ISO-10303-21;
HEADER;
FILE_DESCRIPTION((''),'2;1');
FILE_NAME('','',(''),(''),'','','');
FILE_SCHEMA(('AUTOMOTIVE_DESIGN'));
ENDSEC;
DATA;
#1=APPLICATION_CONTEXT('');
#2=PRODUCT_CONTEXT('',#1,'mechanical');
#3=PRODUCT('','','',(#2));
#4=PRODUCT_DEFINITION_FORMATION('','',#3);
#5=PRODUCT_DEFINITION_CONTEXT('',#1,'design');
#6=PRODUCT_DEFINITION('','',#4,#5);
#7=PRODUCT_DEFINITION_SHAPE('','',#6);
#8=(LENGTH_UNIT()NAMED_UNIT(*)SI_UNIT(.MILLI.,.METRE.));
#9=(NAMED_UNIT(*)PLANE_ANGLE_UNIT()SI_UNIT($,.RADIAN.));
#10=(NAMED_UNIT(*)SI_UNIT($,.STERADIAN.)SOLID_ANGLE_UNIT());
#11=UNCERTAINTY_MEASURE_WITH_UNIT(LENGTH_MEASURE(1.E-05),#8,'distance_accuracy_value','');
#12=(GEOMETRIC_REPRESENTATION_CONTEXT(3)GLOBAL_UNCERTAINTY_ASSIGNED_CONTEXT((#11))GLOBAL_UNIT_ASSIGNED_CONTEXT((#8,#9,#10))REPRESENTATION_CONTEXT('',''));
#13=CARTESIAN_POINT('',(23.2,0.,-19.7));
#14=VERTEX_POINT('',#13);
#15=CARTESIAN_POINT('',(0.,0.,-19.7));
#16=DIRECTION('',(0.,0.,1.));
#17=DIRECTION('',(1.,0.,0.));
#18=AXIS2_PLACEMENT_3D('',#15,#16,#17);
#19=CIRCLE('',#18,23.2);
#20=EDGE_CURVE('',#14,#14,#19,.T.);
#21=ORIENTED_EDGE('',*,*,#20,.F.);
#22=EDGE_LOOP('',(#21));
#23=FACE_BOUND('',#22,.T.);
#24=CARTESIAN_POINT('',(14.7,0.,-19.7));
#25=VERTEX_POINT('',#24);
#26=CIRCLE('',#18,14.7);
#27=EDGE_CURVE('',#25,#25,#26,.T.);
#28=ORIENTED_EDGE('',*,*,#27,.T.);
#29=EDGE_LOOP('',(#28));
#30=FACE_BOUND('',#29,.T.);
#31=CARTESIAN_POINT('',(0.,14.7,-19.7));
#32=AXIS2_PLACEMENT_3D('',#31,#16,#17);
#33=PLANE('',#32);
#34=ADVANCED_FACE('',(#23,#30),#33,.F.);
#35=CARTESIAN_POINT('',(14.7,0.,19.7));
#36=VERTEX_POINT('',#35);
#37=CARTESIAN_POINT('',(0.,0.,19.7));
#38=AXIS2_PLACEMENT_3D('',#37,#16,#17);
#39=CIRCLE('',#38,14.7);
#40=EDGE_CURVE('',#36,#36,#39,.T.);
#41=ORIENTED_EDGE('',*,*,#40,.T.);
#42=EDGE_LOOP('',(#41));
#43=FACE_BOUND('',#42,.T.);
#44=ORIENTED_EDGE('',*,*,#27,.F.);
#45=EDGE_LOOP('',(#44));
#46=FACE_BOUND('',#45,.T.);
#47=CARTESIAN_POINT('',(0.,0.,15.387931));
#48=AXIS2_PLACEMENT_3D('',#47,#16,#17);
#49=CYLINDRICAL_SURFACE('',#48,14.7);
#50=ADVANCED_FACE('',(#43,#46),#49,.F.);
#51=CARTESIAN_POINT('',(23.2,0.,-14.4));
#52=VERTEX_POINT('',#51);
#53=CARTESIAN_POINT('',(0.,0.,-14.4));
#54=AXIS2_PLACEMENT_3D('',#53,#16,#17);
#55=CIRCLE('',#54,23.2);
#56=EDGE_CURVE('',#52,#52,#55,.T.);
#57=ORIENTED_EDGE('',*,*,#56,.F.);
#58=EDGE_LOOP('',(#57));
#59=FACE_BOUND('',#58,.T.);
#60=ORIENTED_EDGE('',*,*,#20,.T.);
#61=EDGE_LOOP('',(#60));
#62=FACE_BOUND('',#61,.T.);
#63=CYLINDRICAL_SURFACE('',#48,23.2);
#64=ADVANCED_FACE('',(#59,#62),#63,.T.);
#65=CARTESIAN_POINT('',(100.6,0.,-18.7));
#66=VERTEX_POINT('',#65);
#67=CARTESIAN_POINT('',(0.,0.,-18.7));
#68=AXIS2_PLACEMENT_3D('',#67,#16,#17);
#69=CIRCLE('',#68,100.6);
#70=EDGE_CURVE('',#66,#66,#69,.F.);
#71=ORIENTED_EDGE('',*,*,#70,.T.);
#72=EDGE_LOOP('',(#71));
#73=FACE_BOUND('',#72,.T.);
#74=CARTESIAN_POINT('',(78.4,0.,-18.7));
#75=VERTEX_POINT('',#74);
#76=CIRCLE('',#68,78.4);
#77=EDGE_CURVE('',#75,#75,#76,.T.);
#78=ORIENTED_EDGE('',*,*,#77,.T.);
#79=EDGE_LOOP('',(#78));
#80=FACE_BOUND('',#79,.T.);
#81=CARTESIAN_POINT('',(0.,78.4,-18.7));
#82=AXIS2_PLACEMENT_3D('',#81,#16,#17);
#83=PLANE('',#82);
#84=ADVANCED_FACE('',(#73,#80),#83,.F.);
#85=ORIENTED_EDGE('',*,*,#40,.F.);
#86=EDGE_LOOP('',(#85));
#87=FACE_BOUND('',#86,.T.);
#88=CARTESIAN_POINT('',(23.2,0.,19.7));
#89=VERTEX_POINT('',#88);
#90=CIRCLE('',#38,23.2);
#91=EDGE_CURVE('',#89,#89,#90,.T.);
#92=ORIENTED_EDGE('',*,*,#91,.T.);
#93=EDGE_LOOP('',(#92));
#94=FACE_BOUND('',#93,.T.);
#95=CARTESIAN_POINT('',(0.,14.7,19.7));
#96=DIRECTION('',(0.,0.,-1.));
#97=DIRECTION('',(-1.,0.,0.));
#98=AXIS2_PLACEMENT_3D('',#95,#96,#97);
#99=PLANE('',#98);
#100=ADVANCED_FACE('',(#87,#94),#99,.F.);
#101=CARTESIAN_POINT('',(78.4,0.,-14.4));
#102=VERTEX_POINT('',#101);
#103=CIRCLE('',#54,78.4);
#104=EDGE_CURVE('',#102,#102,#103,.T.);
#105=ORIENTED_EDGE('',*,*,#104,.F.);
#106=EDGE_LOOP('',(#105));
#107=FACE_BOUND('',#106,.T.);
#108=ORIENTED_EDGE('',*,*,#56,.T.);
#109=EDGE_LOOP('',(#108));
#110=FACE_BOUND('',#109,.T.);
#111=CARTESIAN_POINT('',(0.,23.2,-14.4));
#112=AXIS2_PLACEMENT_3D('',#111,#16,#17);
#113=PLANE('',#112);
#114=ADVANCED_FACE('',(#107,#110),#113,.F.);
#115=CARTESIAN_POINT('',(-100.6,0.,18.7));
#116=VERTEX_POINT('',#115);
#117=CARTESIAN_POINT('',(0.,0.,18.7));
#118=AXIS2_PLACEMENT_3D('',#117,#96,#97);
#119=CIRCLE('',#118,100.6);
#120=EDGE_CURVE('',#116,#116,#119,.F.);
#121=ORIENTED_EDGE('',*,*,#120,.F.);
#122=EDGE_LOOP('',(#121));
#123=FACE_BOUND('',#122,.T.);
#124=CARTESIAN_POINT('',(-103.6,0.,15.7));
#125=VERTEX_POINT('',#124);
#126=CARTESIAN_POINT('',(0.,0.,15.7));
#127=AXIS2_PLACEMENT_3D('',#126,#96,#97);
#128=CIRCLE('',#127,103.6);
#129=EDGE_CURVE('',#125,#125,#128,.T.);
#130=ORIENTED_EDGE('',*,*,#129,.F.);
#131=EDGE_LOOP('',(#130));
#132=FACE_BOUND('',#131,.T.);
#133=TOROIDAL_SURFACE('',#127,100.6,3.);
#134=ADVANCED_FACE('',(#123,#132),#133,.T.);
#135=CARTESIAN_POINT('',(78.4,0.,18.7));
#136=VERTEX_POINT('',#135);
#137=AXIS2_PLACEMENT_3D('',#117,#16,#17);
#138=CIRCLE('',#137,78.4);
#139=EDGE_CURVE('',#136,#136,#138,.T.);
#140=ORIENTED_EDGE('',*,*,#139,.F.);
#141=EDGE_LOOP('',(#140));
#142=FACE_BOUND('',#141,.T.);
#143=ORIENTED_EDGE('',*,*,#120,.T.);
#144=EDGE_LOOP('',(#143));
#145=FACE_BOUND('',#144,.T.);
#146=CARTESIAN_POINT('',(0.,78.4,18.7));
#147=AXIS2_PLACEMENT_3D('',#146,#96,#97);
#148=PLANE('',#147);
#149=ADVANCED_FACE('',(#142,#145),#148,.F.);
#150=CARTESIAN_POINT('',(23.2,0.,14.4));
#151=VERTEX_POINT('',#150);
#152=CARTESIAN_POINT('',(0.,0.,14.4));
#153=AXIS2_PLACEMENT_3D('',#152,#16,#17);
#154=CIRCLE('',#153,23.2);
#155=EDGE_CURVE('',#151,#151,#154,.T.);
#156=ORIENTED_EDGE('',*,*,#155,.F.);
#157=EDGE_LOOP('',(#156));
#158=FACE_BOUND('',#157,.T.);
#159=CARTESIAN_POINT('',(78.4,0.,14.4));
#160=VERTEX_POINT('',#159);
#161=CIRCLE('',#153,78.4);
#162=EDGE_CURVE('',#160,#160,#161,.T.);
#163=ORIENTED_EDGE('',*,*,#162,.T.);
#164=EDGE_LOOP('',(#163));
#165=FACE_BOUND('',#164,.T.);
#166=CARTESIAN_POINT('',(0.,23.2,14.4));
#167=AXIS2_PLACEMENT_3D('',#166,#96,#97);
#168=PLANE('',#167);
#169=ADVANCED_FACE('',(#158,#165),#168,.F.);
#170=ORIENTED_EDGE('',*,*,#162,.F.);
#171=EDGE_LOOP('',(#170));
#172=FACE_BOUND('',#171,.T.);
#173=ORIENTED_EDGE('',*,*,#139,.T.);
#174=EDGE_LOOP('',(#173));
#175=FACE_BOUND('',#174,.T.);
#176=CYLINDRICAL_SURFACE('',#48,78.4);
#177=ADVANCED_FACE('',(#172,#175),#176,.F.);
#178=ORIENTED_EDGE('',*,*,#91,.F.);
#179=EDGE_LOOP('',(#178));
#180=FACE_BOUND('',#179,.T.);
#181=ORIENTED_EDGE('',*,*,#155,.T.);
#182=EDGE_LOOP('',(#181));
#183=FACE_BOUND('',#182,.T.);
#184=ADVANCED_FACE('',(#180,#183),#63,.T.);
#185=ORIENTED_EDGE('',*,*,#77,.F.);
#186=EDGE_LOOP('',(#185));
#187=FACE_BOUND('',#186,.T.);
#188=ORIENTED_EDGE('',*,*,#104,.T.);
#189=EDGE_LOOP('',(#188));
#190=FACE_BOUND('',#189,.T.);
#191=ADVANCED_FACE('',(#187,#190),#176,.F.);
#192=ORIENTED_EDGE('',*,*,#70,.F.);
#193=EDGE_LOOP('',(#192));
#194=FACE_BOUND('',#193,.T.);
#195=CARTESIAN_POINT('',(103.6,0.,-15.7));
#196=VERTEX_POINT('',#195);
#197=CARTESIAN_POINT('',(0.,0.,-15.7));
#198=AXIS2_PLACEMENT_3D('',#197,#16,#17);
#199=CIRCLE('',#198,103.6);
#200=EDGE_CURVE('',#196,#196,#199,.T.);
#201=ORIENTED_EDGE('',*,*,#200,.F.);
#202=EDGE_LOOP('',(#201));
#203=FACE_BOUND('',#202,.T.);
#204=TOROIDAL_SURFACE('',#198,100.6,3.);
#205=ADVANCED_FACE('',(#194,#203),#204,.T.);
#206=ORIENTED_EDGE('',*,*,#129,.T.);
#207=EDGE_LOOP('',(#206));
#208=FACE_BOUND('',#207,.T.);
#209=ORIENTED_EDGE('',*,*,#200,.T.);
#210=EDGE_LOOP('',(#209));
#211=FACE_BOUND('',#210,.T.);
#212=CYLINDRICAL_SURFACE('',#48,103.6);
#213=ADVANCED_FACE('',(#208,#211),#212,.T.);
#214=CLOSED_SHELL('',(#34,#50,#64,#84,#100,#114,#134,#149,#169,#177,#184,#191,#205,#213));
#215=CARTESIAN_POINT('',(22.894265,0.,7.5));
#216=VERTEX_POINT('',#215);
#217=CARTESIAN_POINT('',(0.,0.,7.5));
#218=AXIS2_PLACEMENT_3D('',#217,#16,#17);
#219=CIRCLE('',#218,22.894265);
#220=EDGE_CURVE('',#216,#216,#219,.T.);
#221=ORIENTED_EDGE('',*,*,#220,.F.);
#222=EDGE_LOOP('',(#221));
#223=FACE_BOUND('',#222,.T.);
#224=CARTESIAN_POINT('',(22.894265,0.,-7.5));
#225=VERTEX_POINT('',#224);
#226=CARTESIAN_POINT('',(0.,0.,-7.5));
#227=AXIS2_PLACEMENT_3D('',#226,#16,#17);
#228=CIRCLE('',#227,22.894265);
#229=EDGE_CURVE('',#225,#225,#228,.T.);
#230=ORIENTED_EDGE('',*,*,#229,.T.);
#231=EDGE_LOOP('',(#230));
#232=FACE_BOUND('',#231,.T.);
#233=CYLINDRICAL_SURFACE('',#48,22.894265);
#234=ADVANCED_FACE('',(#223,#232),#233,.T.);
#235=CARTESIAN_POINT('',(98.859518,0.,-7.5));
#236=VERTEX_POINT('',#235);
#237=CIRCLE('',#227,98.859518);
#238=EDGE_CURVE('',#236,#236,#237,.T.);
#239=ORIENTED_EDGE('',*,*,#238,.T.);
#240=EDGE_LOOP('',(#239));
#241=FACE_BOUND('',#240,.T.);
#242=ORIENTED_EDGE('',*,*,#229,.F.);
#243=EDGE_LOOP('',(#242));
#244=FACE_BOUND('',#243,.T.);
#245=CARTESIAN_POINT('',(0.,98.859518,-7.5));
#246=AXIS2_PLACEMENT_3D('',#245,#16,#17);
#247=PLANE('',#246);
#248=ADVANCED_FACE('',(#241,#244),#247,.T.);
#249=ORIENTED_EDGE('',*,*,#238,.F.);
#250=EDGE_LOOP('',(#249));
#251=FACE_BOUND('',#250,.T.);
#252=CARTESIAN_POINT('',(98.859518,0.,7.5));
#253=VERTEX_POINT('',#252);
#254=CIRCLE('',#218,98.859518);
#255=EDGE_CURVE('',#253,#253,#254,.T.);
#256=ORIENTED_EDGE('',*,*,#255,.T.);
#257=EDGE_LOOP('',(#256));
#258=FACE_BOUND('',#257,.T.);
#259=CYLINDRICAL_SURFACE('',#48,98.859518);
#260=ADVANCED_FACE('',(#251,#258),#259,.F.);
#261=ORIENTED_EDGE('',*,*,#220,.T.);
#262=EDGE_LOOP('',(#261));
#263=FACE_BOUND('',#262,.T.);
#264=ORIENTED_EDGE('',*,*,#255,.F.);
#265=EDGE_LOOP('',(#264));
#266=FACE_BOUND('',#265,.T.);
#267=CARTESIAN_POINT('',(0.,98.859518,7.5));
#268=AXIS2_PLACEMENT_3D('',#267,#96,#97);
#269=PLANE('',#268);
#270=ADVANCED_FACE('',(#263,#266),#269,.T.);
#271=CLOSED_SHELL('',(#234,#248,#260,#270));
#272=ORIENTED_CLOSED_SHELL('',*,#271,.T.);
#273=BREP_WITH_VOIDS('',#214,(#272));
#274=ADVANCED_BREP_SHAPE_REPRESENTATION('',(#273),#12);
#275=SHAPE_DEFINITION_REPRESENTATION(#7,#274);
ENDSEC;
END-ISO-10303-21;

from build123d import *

# Parameters (mm, degrees)
SKETCH1_W = 15
SKETCH1_H = 75.965253598
FILLET1_R = 3


with BuildPart() as part:
    # Sketch1 → Revolve1 (revolve)
    with BuildSketch(Plane(origin=(0, 0, 0), x_dir=(0, 0, -1), z_dir=(1, 0, 0)), mode=Mode.PRIVATE) as revolve1_sk:
        Polygon((19.7, 14.7), (-19.7, 14.7), (-19.7, 23.2), (-14.4, 23.2), (-14.4, 78.4), (-18.7, 78.4), (-18.7, 103.6), (18.7, 103.6), (18.7, 78.4), (14.4, 78.4), (14.4, 23.2), (19.7, 23.2), align=None)
        with Locations((0, 60.876891385)):
            Rectangle(SKETCH1_W, SKETCH1_H, mode=Mode.SUBTRACT)
    revolve(revolve1_sk.sketch.rotate(Axis((0, 0, 15.387931034), (0, 0, -1)), 90), axis=Axis((0, 0, 15.387931034), (0, 0, -1)))

    # Fillet1
    fillet1_edges = [part.edges().sort_by_distance(p)[0] for p in [
        (-103.6, 0, -18.7),
        (-103.6, 0, 18.7),
    ]]
    fillet(fillet1_edges, radius=FILLET1_R)


solid = part.part
